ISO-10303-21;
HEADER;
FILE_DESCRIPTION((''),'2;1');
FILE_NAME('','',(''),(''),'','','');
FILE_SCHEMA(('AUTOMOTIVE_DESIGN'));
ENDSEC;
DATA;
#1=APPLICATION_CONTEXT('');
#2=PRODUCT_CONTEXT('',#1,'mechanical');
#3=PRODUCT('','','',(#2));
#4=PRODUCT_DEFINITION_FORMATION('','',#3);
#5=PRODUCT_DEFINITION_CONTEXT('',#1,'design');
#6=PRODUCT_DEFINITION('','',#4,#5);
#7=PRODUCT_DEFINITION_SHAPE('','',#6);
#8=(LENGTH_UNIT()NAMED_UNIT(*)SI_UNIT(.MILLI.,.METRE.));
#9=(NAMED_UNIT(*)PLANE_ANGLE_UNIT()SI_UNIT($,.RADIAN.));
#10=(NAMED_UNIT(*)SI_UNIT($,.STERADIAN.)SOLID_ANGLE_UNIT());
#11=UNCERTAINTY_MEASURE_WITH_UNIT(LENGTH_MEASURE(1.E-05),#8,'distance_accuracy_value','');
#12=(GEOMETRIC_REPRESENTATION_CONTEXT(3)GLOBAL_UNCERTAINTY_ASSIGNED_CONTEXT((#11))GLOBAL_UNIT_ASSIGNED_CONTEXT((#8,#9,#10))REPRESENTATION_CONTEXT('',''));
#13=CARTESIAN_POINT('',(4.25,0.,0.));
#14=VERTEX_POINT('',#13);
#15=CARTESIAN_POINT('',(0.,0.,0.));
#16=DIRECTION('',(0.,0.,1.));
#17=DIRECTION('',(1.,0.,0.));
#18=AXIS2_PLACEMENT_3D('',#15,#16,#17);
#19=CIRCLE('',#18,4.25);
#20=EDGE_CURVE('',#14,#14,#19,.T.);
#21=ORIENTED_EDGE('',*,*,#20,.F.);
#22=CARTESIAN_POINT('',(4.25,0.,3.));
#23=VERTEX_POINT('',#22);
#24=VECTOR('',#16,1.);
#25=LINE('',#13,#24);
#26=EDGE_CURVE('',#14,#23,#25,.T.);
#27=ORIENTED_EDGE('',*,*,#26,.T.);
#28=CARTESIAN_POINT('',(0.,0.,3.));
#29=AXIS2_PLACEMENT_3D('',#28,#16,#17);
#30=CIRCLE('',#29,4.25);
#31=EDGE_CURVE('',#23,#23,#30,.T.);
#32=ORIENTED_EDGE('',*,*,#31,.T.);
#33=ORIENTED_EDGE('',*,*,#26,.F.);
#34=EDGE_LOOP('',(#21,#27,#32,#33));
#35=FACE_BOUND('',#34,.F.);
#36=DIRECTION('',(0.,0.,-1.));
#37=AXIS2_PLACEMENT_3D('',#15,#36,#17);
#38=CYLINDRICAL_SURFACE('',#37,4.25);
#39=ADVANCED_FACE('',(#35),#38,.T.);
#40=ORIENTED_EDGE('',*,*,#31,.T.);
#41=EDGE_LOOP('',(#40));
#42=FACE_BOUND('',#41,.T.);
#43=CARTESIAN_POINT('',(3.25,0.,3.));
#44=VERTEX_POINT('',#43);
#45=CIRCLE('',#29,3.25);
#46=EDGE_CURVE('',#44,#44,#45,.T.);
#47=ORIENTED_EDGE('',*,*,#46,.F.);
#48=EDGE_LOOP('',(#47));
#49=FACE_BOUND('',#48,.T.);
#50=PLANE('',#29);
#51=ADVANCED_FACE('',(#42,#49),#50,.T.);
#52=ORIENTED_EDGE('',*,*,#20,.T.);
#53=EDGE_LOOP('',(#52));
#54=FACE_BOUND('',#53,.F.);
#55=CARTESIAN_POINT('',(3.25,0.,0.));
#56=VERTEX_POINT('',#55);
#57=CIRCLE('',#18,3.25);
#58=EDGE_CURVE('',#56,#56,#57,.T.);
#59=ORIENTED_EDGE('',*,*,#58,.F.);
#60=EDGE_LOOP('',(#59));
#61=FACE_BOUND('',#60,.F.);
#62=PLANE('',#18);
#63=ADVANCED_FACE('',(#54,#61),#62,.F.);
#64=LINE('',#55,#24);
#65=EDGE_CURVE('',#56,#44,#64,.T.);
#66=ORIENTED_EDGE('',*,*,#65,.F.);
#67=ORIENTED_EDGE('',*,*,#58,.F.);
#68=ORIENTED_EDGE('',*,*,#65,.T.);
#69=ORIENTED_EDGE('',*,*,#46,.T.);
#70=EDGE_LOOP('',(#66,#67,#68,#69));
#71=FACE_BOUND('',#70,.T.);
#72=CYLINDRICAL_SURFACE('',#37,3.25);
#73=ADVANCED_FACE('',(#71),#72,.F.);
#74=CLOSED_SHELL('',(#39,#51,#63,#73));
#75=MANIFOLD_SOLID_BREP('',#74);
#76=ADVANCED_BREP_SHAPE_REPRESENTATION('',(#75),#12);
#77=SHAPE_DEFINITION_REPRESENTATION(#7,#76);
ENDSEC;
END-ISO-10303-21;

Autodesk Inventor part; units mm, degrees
ref_plane "YZ Plane" through (0, 0, 0) normal (1, 0, 0) x (0, 1, 0)
ref_plane "XZ Plane" through (0, 0, 0) normal (0, 1, 0) x (-1, 0, 0)
ref_plane "XY Plane" through (0, 0, 0) normal (0, 0, 1) x (1, 0, 0)
sketch "Sketch1" plane through (0, 0, 0) normal (0, 0, 1) x (1, 0, 0)
  circle A0 centre (0, 0) radius 3.25
  circle A1 centre (0, 0) radius 4.25
  dimension "d0" = 6.5
  dimension "d1" = 8.5
extrude "Extrusion1" add sketch "Sketch1" along normal blind 3
properties part number "16B - Bronze Bushing" material "Bronze, Soft Tin"
